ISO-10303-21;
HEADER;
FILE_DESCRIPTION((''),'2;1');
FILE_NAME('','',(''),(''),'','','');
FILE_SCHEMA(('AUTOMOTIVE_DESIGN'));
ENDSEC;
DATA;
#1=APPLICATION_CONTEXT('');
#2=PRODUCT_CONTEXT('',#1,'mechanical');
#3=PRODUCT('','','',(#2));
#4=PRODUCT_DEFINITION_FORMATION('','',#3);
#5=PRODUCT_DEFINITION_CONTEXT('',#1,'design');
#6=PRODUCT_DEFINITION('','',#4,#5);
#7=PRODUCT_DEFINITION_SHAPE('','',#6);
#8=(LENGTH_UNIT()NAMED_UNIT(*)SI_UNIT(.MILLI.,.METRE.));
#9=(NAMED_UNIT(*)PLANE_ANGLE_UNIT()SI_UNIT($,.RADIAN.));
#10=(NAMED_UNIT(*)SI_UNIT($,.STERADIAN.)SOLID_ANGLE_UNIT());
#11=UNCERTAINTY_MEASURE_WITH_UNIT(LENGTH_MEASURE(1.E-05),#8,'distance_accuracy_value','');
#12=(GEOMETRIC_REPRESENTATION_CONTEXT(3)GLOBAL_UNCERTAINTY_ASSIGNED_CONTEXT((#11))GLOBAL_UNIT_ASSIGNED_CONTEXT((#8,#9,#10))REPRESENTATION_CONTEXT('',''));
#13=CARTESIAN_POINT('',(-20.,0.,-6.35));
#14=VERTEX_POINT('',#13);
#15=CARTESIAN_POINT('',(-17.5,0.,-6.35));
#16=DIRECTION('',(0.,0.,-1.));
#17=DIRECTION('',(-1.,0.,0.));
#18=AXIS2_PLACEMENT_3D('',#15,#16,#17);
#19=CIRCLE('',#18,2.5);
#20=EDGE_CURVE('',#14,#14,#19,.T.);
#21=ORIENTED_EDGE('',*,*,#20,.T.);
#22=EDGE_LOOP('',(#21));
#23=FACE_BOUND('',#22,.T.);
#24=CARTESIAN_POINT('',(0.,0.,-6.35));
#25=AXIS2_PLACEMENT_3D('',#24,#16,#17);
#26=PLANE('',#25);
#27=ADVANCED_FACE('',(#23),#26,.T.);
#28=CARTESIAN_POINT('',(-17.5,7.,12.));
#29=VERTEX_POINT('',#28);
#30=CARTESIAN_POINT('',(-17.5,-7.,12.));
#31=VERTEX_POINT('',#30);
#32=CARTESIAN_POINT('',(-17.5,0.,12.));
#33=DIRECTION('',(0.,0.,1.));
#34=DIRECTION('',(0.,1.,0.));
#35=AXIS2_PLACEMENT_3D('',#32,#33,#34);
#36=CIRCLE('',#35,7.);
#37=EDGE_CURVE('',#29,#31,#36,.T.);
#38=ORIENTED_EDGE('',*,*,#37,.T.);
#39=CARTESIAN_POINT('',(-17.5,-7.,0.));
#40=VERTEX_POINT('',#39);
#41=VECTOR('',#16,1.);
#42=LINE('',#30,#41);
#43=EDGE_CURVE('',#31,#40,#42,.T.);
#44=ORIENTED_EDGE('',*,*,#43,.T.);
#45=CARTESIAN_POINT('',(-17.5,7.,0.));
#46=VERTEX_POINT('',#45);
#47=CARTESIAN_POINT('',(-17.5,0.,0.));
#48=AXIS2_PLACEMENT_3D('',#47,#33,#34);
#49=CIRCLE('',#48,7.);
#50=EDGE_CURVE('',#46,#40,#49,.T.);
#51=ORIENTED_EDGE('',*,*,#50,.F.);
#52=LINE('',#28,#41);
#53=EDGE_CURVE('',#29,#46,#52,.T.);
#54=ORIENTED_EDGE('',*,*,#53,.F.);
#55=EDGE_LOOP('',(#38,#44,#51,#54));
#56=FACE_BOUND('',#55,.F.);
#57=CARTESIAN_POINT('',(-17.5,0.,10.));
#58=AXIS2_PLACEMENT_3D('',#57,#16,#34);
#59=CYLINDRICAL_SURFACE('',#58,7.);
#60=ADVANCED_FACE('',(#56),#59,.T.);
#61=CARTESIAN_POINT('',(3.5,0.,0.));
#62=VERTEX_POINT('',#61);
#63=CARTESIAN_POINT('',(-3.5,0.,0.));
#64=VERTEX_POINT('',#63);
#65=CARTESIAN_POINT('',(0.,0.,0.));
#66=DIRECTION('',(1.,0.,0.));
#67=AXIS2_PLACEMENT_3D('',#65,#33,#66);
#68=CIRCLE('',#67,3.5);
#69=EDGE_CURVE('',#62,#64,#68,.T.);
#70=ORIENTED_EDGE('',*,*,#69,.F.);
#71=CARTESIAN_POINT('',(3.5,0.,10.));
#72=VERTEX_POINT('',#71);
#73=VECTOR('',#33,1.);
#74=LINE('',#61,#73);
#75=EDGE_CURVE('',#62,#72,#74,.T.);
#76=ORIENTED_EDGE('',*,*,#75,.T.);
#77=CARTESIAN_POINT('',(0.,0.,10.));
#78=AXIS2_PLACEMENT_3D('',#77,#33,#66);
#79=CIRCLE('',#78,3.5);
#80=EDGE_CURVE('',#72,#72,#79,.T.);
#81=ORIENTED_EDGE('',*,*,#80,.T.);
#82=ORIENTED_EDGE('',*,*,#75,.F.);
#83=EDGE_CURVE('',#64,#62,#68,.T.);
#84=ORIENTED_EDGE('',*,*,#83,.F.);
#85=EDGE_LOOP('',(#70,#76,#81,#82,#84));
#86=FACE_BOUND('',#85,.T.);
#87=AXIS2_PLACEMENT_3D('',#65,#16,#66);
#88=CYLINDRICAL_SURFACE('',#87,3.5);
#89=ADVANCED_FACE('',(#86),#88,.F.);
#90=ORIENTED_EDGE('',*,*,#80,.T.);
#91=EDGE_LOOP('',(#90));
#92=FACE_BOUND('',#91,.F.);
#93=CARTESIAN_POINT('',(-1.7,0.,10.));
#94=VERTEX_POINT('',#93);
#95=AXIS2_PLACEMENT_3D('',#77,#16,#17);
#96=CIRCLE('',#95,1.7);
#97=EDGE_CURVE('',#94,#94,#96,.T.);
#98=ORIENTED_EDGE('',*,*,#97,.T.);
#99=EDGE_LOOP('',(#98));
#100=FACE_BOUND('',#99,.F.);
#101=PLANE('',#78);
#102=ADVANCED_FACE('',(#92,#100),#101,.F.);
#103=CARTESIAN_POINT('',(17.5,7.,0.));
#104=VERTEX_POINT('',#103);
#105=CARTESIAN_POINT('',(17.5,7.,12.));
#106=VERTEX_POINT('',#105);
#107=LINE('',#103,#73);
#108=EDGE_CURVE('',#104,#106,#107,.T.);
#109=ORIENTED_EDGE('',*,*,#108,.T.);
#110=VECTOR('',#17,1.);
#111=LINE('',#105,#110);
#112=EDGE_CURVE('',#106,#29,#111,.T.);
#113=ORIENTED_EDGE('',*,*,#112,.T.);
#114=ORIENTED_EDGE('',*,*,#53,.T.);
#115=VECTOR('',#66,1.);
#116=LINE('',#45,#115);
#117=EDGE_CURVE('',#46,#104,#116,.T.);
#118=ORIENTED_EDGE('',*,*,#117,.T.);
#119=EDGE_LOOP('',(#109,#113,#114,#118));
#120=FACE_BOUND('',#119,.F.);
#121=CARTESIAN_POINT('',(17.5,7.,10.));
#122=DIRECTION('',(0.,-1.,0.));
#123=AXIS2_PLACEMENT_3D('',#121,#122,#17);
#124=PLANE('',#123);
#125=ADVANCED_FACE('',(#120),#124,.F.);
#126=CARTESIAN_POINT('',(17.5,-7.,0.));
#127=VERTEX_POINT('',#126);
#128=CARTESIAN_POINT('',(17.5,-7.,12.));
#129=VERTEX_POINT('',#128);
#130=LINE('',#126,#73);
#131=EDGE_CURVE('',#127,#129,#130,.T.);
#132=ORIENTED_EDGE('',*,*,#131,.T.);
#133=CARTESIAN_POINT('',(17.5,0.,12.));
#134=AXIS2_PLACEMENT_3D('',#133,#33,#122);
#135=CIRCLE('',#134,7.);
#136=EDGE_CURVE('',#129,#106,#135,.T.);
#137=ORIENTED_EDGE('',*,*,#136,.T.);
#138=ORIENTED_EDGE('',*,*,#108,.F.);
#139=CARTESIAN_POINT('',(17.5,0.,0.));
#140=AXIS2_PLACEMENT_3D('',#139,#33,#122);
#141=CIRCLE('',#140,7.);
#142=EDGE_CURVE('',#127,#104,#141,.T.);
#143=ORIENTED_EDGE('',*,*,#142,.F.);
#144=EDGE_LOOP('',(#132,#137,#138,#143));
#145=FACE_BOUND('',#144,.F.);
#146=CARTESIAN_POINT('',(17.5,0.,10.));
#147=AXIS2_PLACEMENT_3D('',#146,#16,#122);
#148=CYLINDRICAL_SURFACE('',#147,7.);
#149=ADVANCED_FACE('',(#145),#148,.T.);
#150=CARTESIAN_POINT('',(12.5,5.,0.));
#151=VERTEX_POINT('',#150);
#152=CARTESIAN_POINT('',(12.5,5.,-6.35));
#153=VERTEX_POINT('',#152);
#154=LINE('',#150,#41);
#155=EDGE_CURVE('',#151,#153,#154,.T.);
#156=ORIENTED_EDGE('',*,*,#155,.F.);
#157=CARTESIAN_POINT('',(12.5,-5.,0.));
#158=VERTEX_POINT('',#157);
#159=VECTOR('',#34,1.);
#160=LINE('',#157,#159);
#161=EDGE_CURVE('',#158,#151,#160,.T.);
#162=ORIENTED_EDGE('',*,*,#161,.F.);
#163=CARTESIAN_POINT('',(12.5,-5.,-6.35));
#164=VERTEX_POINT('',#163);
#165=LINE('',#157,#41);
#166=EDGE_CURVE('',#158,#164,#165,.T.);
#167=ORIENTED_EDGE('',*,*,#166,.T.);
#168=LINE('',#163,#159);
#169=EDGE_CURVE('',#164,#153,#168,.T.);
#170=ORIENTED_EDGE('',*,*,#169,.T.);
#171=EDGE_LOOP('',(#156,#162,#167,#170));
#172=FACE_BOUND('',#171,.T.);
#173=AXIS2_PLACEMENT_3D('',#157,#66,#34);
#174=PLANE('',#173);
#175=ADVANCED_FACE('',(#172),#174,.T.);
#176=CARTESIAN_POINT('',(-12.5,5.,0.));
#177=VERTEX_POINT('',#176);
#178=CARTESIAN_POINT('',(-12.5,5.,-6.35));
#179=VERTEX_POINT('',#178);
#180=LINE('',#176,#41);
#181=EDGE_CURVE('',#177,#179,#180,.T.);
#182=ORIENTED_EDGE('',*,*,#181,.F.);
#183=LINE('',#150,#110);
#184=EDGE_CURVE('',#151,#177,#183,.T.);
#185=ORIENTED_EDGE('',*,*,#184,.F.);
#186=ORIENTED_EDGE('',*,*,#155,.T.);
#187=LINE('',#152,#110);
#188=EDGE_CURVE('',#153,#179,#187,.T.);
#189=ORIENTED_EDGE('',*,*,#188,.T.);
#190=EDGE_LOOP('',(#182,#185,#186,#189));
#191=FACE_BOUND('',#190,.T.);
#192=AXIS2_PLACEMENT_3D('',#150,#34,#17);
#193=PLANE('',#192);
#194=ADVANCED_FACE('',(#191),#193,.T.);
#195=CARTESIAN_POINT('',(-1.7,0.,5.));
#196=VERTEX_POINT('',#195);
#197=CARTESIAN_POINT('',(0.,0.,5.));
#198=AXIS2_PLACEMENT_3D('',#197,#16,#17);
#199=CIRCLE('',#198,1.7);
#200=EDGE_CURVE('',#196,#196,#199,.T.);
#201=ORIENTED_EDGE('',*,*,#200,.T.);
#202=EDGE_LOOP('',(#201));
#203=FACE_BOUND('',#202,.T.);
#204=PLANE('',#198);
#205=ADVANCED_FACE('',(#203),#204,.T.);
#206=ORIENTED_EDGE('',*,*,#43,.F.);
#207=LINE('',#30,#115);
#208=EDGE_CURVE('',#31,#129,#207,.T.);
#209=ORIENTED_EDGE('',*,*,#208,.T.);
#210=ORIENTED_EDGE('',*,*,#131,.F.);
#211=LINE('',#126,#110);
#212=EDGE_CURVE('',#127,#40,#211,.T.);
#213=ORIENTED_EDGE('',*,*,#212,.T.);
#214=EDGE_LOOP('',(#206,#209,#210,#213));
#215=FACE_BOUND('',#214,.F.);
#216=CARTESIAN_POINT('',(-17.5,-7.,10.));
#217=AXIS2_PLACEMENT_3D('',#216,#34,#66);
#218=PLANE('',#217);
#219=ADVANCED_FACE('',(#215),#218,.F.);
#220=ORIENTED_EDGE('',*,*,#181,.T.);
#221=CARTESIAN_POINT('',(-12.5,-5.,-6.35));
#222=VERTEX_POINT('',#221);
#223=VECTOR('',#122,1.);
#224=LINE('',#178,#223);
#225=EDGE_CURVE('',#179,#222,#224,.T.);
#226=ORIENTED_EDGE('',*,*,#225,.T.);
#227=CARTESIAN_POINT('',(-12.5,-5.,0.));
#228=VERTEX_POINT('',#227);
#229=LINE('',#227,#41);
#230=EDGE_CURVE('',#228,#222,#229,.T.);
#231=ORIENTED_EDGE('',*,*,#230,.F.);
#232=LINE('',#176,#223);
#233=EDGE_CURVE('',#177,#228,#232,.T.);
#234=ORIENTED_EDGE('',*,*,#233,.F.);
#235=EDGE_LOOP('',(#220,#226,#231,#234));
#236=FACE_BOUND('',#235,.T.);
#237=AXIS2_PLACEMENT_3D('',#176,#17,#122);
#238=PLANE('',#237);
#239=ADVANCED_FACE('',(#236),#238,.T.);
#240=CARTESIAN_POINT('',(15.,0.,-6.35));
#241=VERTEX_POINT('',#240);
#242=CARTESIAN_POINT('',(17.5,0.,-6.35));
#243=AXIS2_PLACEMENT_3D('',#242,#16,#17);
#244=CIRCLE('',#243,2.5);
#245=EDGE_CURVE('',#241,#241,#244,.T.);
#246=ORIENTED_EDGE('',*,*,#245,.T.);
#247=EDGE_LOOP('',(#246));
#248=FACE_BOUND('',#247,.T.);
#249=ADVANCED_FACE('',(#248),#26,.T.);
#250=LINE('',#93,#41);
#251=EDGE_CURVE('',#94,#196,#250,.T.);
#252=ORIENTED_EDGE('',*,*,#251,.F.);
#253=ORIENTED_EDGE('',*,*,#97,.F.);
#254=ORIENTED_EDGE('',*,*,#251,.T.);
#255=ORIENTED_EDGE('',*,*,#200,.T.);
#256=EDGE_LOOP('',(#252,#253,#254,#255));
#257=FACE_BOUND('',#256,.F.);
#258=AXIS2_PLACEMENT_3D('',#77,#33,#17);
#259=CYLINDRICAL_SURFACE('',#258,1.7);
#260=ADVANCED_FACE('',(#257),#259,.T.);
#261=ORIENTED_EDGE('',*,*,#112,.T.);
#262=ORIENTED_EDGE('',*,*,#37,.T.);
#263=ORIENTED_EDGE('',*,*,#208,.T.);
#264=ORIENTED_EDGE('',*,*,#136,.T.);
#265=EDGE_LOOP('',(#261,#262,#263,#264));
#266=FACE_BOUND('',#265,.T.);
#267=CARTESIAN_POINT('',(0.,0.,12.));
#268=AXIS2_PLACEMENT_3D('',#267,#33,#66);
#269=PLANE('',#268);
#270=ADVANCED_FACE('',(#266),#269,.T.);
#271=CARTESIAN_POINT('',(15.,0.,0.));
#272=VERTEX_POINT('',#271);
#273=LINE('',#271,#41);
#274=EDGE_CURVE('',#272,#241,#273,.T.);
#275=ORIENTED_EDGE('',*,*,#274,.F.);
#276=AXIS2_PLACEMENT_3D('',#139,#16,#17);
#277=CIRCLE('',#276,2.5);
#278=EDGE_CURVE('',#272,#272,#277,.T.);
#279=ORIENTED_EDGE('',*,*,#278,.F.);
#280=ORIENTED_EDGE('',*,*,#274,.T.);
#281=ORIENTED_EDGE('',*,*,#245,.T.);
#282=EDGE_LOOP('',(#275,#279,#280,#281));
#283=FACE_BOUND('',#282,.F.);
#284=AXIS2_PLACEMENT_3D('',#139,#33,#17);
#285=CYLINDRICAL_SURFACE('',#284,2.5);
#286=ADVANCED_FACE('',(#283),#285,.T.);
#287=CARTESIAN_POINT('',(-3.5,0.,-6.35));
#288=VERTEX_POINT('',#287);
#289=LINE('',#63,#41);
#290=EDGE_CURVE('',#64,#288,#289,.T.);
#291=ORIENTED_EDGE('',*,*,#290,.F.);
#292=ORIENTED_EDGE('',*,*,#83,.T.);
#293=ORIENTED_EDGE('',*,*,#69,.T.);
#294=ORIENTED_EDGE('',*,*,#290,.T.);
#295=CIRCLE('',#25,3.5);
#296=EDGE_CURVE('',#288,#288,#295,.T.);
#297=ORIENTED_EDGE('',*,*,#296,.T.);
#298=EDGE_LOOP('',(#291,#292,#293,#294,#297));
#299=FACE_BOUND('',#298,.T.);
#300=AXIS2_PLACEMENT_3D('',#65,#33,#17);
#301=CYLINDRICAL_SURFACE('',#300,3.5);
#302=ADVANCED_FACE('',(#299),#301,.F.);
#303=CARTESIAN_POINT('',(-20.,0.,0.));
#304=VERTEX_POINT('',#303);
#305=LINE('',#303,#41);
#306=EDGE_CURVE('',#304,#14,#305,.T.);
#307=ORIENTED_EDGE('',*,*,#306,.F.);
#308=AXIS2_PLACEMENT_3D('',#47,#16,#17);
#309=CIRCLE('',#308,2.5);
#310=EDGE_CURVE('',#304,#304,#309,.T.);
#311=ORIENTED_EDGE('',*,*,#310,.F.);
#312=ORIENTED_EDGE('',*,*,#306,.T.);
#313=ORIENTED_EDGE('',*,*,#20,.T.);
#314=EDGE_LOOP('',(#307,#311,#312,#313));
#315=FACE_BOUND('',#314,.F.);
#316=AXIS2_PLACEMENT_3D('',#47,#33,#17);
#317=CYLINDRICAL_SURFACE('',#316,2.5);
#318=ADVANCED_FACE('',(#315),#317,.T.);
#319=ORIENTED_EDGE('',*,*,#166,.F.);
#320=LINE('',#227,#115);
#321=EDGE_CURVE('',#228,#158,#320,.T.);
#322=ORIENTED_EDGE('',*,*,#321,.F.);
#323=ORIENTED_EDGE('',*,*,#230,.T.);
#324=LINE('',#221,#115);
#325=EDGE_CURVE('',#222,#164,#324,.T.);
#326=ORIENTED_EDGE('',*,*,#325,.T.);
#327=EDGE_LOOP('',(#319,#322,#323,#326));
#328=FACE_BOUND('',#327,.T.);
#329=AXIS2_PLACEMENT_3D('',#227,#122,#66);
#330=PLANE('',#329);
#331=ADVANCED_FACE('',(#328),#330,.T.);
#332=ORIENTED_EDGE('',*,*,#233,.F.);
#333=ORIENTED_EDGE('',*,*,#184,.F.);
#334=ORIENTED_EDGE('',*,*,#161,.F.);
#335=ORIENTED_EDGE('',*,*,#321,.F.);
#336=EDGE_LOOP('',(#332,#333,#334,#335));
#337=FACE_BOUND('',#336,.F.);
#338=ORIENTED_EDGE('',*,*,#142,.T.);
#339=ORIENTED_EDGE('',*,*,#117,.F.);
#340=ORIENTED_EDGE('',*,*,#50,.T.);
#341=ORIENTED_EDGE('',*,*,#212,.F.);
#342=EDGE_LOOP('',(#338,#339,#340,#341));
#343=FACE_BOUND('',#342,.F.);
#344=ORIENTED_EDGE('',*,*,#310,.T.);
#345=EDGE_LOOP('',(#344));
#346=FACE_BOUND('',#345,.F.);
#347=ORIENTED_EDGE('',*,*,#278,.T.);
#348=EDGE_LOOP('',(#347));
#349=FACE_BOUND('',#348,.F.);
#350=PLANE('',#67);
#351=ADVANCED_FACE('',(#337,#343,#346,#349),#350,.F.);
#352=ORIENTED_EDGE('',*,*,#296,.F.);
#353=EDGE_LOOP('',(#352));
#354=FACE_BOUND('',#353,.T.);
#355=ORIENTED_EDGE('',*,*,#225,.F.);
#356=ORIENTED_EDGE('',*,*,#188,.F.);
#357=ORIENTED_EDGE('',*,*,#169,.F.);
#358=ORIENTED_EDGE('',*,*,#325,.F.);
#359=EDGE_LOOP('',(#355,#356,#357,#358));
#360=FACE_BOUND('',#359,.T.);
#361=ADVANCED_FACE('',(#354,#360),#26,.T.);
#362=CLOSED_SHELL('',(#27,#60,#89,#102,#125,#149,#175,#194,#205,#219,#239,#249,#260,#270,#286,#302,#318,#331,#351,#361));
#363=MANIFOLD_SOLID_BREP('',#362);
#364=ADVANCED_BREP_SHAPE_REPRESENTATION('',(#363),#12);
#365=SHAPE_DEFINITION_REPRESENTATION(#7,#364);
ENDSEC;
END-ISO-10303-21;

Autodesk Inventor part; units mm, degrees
ref_plane "YZ Plane" through (0, 0, 0) normal (1, 0, 0) x (0, 1, 0)
ref_plane "XZ Plane" through (0, 0, 0) normal (0, 1, 0) x (-1, 0, 0)
ref_plane "XY Plane" through (0, 0, 0) normal (0, 0, 1) x (1, 0, 0)
sketch "Sketch1" plane through (0, 0, 0) normal (0, 0, 1) x (1, 0, 0)
  circle A0 centre (17.5, 0) radius 2.5 projected
  circle A1 centre (-17.5, 0) radius 2.5 projected
  line L0 (17.5, -7) -> (-17.5, -7)
  arc A2 (-17.5, 7) -> (-17.5, -7) centre (-17.5, 0) ccw
  line L1 (-17.5, 7) -> (17.5, 7)
  arc A3 (17.5, -7) -> (17.5, 7) centre (17.5, 0) ccw
  line L2 (-12.5, -5) -> (12.5, -5) projected
  line L3 (12.5, 5) -> (-12.5, 5) projected
  circle A4 centre (0, 0) radius 3.5
  dimension "d0" = 2
  dimension "d1" = 17.5
  dimension "d2" = 7
extrude "Extrusion1" add sketch "Sketch1" along normal blind 10 contours A0 | A1 | L0 A2 L1 A3
sketch "Sketch2" plane through (0, 0, 10) normal (0, 0, 1) x (1, 0, 0)
  arc A0 (17.5, -7) -> (17.5, 7) centre (17.5, 0) ccw projected
  line L0 (-17.5, -7) -> (17.5, -7) projected
  arc A1 (-17.5, 7) -> (-17.5, -7) centre (-17.5, 0) ccw projected
  line L1 (17.5, 7) -> (-17.5, 7) projected
  point P0 (0, 0)
extrude "Extrusion2" add sketch "Sketch2" along normal blind 2
sketch "Sketch3" plane through (0, 0, 10) normal (0, 0, -1) x (-1, 0, 0)
  circle A0 centre (0, 0) radius 1.7
  dimension "d7" = 3.4
extrude "Extrusion3" add sketch "Sketch3" along normal blind 5
sketch "Sketch4" plane through (0, 0, 0) normal (0, 0, -1) x (-1, 0, 0)
  circle A0 centre (17.5, 0) radius 2.5 projected
  line L0 (12.5, 5) -> (12.5, -5) projected
  line L1 (-12.5, 5) -> (12.5, 5) projected
  line L2 (12.5, -5) -> (-12.5, -5) projected
  line L3 (-12.5, -5) -> (-12.5, 5) projected
  circle A1 centre (0, 0) radius 3.5 projected
  circle A2 centre (-17.5, 0) radius 2.5 projected
extrude "Extrusion4" add sketch "Sketch4" along normal blind 6.35
properties part number "SpringHolderV1"
